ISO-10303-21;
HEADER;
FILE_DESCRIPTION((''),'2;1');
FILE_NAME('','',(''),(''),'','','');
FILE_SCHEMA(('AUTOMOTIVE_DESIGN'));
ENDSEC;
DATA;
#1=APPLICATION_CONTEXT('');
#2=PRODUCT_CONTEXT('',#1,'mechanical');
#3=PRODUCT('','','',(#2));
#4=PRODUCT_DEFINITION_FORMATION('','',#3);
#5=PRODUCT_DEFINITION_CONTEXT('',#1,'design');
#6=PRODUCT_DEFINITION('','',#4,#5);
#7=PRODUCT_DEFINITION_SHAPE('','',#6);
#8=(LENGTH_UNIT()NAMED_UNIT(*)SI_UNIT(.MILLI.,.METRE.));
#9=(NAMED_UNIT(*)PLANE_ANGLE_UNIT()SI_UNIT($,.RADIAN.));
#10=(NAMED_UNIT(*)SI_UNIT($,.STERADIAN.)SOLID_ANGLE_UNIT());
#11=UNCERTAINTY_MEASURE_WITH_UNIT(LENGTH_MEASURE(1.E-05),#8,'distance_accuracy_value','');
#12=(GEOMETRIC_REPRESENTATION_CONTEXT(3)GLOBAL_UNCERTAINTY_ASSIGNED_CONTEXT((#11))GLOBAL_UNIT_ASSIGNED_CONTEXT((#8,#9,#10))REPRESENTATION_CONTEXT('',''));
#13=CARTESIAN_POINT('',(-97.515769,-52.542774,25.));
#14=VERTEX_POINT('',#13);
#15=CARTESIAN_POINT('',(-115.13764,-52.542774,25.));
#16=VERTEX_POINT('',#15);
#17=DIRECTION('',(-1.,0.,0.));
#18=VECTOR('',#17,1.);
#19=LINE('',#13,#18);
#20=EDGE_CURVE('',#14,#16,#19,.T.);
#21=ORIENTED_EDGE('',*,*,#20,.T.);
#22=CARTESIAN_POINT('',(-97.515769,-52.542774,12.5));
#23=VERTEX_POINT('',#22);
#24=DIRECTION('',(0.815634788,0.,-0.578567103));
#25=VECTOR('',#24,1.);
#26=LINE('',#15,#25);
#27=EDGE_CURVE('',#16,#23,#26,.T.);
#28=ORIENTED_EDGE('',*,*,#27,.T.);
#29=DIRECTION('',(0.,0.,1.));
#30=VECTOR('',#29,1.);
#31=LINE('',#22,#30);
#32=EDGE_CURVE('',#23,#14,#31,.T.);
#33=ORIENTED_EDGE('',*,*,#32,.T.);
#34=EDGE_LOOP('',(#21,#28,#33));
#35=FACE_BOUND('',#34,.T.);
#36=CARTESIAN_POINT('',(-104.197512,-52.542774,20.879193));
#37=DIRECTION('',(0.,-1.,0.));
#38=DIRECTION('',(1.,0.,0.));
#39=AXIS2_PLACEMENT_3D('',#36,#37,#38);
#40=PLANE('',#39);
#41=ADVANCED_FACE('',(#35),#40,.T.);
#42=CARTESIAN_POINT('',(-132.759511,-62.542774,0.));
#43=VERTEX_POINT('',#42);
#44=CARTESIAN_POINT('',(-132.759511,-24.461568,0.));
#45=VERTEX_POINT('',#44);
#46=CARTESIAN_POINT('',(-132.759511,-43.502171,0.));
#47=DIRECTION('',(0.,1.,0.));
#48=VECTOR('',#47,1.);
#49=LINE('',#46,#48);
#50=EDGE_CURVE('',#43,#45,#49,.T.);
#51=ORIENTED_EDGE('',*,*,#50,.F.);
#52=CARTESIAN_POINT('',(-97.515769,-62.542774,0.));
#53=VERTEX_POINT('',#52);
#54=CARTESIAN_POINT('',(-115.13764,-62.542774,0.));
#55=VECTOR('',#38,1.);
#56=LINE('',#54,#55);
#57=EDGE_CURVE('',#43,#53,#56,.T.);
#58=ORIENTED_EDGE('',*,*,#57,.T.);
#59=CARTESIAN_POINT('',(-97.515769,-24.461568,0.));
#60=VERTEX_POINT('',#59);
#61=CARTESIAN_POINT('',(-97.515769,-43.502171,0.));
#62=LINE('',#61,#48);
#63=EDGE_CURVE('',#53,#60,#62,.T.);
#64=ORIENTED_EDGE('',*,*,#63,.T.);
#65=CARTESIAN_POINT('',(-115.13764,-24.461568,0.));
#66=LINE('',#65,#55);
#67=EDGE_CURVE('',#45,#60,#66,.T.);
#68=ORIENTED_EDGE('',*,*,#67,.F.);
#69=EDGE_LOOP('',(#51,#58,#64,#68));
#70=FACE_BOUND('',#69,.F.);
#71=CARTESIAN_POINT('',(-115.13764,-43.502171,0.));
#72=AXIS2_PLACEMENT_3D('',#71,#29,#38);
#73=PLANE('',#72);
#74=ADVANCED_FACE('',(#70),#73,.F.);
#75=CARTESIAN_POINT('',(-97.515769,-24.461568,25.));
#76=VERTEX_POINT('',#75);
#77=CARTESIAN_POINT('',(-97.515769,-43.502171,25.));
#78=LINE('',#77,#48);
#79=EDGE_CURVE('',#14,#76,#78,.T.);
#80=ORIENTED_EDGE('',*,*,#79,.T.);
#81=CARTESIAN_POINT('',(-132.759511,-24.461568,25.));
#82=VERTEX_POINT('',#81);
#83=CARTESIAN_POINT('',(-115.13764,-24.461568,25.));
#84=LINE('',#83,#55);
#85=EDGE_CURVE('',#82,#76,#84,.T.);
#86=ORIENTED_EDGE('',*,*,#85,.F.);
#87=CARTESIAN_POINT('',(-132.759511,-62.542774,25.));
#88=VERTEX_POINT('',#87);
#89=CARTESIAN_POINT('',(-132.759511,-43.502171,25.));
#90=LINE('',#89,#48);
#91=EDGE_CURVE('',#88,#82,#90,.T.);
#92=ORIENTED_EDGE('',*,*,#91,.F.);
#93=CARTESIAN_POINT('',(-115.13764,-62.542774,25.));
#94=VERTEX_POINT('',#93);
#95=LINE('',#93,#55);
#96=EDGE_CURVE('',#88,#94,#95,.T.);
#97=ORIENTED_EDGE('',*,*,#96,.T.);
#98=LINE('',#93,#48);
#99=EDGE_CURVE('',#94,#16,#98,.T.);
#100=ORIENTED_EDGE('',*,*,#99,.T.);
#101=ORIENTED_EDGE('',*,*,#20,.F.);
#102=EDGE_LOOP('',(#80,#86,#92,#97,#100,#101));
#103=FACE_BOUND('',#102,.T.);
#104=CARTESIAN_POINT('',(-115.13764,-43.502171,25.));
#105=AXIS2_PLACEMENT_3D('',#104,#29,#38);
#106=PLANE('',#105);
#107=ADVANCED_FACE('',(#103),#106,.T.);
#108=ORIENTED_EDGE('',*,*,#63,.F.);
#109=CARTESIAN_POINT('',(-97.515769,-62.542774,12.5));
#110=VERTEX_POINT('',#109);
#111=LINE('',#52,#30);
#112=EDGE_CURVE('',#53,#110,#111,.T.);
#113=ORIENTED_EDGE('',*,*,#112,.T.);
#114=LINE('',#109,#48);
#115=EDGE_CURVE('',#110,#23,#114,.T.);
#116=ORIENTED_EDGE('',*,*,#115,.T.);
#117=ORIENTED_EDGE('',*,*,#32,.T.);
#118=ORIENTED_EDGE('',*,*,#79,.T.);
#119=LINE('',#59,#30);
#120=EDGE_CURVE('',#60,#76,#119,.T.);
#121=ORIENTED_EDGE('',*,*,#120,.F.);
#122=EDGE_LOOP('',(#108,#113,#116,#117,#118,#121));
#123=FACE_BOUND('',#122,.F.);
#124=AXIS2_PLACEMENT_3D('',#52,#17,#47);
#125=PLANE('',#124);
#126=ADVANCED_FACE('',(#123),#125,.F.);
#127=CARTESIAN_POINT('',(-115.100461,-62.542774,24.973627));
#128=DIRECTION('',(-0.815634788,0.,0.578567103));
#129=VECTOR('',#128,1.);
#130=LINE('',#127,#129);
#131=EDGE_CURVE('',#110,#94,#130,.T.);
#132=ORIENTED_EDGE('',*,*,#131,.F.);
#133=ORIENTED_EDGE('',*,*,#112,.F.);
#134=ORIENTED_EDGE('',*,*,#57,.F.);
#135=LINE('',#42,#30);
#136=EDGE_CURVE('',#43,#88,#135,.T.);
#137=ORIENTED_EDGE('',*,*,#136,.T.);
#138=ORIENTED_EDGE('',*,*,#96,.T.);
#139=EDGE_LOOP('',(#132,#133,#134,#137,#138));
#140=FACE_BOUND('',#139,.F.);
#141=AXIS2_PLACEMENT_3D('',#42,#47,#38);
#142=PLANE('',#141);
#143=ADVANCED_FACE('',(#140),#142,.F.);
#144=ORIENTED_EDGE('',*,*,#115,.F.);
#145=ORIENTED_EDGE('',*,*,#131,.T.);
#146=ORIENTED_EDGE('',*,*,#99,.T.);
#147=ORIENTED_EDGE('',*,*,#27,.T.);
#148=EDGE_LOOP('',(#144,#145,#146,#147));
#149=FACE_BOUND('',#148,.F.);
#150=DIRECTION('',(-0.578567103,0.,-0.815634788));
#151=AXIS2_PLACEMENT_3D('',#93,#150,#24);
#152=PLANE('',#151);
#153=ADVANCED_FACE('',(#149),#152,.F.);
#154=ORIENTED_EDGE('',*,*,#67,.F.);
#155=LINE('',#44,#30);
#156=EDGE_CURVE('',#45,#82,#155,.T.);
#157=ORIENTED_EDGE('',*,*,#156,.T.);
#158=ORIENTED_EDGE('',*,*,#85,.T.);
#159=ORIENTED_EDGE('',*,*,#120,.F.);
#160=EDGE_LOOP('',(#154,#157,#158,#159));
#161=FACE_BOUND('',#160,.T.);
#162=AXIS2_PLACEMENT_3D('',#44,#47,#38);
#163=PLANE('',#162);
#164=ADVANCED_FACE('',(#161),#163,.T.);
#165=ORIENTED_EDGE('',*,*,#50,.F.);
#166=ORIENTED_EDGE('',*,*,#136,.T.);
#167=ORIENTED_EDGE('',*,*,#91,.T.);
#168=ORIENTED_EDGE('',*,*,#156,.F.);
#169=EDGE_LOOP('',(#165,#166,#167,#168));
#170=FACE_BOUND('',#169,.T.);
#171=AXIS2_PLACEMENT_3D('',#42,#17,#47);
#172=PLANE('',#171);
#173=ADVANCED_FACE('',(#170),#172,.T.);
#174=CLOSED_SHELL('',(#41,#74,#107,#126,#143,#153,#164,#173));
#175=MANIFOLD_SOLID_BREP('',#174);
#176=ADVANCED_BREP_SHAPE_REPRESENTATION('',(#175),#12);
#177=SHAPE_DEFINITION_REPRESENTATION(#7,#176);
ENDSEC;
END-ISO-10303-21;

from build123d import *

# Parameters (mm, degrees)
F0_W     = 35.243742
F0_H     = 38.081205
F1_DEPTH = 25
F3_DEPTH = 10


with BuildPart() as f1:
    # F0 (on Top) → F1 (new body)
    with BuildSketch(Plane.XY):
        with Locations((-115.13764, -43.502171)):
            Rectangle(F0_W, F0_H)
    extrude(amount=F1_DEPTH)

    # F2 (on face) → F3 (cut)
    with BuildSketch(Plane.XZ.offset(62.542774)):
        Polygon((-115.13764, 25), (-97.515769, 12.5), (-97.515769, 25), align=None)
    extrude(amount=-F3_DEPTH, mode=Mode.SUBTRACT)


solid = f1.part
